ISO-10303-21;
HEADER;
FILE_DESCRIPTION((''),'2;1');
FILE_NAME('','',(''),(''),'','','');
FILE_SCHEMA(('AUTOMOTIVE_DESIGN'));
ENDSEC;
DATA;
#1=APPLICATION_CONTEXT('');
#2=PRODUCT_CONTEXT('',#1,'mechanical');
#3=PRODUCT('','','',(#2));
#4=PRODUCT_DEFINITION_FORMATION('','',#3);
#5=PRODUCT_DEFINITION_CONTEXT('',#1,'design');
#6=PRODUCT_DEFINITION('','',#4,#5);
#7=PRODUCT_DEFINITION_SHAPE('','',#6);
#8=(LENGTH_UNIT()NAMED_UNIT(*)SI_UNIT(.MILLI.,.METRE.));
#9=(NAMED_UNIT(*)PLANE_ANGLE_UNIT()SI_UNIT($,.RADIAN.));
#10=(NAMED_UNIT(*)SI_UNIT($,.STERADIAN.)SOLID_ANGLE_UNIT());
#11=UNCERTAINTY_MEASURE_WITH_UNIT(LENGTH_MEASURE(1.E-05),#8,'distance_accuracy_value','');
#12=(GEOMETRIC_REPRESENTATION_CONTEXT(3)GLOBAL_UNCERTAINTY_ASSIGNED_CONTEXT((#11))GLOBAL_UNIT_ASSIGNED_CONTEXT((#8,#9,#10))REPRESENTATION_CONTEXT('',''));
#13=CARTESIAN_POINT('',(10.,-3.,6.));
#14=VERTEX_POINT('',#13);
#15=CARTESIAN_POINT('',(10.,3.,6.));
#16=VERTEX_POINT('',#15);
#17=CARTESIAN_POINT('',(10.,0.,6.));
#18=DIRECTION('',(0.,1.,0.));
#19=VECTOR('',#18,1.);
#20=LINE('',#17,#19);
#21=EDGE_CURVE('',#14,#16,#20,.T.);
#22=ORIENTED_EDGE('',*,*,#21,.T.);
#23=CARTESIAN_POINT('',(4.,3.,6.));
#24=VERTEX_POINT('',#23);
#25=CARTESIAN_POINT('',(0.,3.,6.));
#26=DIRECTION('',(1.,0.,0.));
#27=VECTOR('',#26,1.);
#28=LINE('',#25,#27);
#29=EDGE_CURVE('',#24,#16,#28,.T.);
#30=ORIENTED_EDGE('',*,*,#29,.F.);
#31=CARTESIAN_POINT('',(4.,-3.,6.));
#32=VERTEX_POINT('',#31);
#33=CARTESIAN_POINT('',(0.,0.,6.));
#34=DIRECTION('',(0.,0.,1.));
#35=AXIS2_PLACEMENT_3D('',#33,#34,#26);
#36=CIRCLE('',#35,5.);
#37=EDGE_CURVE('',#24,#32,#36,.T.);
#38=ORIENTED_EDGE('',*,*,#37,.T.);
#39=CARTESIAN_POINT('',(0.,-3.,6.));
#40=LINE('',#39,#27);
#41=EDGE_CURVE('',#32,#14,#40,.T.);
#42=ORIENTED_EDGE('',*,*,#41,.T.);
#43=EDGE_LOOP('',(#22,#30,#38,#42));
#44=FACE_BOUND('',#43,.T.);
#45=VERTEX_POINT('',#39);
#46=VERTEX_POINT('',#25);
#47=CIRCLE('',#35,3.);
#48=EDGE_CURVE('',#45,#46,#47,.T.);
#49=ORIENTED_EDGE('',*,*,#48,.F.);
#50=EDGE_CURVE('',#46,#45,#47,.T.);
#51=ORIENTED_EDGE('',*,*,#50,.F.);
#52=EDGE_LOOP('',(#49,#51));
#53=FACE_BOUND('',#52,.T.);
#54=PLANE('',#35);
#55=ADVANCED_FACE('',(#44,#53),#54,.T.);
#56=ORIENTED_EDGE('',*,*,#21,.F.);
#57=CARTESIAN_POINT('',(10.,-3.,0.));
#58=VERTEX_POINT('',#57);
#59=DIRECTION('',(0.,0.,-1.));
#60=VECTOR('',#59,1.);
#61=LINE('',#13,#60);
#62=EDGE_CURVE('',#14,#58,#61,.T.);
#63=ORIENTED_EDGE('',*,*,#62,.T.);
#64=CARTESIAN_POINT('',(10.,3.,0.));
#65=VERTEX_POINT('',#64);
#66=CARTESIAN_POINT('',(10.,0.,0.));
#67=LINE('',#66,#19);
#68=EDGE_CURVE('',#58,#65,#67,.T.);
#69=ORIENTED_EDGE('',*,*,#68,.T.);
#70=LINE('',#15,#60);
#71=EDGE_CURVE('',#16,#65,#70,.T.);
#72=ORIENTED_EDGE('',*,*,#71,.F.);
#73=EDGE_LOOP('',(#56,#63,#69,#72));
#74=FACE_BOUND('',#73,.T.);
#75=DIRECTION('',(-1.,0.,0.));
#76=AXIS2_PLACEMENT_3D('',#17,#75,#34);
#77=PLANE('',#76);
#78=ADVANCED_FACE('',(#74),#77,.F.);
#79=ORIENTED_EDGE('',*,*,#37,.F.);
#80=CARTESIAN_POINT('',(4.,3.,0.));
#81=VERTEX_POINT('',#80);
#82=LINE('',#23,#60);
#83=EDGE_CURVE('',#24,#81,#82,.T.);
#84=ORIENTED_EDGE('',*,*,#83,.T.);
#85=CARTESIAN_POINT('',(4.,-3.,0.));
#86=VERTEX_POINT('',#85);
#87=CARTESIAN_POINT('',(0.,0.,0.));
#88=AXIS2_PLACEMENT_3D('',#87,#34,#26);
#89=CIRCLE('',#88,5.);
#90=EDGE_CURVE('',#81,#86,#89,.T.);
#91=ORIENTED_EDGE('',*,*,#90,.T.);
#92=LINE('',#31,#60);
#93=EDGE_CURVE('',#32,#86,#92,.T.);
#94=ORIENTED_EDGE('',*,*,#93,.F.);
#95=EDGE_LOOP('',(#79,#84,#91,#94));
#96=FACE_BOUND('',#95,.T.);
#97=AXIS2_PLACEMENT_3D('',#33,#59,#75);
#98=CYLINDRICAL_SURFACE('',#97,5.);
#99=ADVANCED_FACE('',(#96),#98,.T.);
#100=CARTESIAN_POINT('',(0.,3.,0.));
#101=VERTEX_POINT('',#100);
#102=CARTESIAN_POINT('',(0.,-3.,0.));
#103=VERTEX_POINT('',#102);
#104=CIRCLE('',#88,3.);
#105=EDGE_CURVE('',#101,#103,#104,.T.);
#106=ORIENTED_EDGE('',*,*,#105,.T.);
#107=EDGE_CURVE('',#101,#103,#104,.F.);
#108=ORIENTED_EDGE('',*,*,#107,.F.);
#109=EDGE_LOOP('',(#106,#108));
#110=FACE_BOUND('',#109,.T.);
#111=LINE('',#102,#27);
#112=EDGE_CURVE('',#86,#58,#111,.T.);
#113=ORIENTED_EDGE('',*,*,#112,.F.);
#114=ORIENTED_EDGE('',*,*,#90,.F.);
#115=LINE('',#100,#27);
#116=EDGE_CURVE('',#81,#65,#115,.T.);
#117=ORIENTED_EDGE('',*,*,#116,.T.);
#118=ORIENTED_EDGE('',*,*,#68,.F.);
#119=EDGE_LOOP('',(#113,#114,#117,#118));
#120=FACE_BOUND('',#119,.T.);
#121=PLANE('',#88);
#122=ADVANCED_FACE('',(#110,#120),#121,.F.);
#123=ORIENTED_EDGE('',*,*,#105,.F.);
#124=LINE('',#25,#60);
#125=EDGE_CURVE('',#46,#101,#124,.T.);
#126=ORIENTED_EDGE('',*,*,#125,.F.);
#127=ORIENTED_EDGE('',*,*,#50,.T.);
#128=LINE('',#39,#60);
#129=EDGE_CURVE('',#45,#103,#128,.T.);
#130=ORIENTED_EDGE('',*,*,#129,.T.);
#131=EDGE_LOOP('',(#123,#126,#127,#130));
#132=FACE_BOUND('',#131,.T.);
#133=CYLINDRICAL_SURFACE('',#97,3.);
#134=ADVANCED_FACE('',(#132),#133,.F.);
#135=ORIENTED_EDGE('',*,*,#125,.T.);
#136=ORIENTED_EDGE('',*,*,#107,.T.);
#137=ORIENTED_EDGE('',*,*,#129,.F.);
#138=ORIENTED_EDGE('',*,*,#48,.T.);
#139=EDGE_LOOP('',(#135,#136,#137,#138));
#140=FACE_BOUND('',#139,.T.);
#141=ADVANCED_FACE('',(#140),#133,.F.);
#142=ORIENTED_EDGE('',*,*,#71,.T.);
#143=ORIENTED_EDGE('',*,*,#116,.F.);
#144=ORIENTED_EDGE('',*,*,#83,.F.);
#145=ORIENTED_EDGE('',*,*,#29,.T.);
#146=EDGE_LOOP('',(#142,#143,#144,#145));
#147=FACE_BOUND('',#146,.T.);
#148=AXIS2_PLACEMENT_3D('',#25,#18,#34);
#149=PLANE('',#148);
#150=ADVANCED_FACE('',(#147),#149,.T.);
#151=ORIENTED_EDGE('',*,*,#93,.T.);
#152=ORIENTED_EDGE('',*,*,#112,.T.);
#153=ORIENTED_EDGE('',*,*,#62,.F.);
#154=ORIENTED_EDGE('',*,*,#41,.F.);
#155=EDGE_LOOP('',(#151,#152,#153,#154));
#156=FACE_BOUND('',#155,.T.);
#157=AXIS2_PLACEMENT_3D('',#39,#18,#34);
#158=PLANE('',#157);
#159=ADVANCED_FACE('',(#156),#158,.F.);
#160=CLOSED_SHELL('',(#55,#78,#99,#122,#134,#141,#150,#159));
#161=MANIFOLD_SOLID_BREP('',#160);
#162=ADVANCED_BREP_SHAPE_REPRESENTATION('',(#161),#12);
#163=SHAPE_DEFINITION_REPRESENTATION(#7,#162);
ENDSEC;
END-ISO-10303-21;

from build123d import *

# Parameters (mm, degrees)
SKETCH1_R           = 3
BOSS_EXTRUDE1_DEPTH = 6


with BuildPart() as part:
    # Sketch1 → Boss-Extrude1 (new body)
    with BuildSketch(Plane.XY):
        with BuildLine():
            ThreePointArc((4, 3), (-5, 0), (4, -3))
            Line((4, -3), (10, -3))
            Line((10, -3), (10, 3))
            Line((10, 3), (4, 3))
        make_face()
        Circle(SKETCH1_R, mode=Mode.SUBTRACT)
    extrude(amount=BOSS_EXTRUDE1_DEPTH)


solid = part.part
